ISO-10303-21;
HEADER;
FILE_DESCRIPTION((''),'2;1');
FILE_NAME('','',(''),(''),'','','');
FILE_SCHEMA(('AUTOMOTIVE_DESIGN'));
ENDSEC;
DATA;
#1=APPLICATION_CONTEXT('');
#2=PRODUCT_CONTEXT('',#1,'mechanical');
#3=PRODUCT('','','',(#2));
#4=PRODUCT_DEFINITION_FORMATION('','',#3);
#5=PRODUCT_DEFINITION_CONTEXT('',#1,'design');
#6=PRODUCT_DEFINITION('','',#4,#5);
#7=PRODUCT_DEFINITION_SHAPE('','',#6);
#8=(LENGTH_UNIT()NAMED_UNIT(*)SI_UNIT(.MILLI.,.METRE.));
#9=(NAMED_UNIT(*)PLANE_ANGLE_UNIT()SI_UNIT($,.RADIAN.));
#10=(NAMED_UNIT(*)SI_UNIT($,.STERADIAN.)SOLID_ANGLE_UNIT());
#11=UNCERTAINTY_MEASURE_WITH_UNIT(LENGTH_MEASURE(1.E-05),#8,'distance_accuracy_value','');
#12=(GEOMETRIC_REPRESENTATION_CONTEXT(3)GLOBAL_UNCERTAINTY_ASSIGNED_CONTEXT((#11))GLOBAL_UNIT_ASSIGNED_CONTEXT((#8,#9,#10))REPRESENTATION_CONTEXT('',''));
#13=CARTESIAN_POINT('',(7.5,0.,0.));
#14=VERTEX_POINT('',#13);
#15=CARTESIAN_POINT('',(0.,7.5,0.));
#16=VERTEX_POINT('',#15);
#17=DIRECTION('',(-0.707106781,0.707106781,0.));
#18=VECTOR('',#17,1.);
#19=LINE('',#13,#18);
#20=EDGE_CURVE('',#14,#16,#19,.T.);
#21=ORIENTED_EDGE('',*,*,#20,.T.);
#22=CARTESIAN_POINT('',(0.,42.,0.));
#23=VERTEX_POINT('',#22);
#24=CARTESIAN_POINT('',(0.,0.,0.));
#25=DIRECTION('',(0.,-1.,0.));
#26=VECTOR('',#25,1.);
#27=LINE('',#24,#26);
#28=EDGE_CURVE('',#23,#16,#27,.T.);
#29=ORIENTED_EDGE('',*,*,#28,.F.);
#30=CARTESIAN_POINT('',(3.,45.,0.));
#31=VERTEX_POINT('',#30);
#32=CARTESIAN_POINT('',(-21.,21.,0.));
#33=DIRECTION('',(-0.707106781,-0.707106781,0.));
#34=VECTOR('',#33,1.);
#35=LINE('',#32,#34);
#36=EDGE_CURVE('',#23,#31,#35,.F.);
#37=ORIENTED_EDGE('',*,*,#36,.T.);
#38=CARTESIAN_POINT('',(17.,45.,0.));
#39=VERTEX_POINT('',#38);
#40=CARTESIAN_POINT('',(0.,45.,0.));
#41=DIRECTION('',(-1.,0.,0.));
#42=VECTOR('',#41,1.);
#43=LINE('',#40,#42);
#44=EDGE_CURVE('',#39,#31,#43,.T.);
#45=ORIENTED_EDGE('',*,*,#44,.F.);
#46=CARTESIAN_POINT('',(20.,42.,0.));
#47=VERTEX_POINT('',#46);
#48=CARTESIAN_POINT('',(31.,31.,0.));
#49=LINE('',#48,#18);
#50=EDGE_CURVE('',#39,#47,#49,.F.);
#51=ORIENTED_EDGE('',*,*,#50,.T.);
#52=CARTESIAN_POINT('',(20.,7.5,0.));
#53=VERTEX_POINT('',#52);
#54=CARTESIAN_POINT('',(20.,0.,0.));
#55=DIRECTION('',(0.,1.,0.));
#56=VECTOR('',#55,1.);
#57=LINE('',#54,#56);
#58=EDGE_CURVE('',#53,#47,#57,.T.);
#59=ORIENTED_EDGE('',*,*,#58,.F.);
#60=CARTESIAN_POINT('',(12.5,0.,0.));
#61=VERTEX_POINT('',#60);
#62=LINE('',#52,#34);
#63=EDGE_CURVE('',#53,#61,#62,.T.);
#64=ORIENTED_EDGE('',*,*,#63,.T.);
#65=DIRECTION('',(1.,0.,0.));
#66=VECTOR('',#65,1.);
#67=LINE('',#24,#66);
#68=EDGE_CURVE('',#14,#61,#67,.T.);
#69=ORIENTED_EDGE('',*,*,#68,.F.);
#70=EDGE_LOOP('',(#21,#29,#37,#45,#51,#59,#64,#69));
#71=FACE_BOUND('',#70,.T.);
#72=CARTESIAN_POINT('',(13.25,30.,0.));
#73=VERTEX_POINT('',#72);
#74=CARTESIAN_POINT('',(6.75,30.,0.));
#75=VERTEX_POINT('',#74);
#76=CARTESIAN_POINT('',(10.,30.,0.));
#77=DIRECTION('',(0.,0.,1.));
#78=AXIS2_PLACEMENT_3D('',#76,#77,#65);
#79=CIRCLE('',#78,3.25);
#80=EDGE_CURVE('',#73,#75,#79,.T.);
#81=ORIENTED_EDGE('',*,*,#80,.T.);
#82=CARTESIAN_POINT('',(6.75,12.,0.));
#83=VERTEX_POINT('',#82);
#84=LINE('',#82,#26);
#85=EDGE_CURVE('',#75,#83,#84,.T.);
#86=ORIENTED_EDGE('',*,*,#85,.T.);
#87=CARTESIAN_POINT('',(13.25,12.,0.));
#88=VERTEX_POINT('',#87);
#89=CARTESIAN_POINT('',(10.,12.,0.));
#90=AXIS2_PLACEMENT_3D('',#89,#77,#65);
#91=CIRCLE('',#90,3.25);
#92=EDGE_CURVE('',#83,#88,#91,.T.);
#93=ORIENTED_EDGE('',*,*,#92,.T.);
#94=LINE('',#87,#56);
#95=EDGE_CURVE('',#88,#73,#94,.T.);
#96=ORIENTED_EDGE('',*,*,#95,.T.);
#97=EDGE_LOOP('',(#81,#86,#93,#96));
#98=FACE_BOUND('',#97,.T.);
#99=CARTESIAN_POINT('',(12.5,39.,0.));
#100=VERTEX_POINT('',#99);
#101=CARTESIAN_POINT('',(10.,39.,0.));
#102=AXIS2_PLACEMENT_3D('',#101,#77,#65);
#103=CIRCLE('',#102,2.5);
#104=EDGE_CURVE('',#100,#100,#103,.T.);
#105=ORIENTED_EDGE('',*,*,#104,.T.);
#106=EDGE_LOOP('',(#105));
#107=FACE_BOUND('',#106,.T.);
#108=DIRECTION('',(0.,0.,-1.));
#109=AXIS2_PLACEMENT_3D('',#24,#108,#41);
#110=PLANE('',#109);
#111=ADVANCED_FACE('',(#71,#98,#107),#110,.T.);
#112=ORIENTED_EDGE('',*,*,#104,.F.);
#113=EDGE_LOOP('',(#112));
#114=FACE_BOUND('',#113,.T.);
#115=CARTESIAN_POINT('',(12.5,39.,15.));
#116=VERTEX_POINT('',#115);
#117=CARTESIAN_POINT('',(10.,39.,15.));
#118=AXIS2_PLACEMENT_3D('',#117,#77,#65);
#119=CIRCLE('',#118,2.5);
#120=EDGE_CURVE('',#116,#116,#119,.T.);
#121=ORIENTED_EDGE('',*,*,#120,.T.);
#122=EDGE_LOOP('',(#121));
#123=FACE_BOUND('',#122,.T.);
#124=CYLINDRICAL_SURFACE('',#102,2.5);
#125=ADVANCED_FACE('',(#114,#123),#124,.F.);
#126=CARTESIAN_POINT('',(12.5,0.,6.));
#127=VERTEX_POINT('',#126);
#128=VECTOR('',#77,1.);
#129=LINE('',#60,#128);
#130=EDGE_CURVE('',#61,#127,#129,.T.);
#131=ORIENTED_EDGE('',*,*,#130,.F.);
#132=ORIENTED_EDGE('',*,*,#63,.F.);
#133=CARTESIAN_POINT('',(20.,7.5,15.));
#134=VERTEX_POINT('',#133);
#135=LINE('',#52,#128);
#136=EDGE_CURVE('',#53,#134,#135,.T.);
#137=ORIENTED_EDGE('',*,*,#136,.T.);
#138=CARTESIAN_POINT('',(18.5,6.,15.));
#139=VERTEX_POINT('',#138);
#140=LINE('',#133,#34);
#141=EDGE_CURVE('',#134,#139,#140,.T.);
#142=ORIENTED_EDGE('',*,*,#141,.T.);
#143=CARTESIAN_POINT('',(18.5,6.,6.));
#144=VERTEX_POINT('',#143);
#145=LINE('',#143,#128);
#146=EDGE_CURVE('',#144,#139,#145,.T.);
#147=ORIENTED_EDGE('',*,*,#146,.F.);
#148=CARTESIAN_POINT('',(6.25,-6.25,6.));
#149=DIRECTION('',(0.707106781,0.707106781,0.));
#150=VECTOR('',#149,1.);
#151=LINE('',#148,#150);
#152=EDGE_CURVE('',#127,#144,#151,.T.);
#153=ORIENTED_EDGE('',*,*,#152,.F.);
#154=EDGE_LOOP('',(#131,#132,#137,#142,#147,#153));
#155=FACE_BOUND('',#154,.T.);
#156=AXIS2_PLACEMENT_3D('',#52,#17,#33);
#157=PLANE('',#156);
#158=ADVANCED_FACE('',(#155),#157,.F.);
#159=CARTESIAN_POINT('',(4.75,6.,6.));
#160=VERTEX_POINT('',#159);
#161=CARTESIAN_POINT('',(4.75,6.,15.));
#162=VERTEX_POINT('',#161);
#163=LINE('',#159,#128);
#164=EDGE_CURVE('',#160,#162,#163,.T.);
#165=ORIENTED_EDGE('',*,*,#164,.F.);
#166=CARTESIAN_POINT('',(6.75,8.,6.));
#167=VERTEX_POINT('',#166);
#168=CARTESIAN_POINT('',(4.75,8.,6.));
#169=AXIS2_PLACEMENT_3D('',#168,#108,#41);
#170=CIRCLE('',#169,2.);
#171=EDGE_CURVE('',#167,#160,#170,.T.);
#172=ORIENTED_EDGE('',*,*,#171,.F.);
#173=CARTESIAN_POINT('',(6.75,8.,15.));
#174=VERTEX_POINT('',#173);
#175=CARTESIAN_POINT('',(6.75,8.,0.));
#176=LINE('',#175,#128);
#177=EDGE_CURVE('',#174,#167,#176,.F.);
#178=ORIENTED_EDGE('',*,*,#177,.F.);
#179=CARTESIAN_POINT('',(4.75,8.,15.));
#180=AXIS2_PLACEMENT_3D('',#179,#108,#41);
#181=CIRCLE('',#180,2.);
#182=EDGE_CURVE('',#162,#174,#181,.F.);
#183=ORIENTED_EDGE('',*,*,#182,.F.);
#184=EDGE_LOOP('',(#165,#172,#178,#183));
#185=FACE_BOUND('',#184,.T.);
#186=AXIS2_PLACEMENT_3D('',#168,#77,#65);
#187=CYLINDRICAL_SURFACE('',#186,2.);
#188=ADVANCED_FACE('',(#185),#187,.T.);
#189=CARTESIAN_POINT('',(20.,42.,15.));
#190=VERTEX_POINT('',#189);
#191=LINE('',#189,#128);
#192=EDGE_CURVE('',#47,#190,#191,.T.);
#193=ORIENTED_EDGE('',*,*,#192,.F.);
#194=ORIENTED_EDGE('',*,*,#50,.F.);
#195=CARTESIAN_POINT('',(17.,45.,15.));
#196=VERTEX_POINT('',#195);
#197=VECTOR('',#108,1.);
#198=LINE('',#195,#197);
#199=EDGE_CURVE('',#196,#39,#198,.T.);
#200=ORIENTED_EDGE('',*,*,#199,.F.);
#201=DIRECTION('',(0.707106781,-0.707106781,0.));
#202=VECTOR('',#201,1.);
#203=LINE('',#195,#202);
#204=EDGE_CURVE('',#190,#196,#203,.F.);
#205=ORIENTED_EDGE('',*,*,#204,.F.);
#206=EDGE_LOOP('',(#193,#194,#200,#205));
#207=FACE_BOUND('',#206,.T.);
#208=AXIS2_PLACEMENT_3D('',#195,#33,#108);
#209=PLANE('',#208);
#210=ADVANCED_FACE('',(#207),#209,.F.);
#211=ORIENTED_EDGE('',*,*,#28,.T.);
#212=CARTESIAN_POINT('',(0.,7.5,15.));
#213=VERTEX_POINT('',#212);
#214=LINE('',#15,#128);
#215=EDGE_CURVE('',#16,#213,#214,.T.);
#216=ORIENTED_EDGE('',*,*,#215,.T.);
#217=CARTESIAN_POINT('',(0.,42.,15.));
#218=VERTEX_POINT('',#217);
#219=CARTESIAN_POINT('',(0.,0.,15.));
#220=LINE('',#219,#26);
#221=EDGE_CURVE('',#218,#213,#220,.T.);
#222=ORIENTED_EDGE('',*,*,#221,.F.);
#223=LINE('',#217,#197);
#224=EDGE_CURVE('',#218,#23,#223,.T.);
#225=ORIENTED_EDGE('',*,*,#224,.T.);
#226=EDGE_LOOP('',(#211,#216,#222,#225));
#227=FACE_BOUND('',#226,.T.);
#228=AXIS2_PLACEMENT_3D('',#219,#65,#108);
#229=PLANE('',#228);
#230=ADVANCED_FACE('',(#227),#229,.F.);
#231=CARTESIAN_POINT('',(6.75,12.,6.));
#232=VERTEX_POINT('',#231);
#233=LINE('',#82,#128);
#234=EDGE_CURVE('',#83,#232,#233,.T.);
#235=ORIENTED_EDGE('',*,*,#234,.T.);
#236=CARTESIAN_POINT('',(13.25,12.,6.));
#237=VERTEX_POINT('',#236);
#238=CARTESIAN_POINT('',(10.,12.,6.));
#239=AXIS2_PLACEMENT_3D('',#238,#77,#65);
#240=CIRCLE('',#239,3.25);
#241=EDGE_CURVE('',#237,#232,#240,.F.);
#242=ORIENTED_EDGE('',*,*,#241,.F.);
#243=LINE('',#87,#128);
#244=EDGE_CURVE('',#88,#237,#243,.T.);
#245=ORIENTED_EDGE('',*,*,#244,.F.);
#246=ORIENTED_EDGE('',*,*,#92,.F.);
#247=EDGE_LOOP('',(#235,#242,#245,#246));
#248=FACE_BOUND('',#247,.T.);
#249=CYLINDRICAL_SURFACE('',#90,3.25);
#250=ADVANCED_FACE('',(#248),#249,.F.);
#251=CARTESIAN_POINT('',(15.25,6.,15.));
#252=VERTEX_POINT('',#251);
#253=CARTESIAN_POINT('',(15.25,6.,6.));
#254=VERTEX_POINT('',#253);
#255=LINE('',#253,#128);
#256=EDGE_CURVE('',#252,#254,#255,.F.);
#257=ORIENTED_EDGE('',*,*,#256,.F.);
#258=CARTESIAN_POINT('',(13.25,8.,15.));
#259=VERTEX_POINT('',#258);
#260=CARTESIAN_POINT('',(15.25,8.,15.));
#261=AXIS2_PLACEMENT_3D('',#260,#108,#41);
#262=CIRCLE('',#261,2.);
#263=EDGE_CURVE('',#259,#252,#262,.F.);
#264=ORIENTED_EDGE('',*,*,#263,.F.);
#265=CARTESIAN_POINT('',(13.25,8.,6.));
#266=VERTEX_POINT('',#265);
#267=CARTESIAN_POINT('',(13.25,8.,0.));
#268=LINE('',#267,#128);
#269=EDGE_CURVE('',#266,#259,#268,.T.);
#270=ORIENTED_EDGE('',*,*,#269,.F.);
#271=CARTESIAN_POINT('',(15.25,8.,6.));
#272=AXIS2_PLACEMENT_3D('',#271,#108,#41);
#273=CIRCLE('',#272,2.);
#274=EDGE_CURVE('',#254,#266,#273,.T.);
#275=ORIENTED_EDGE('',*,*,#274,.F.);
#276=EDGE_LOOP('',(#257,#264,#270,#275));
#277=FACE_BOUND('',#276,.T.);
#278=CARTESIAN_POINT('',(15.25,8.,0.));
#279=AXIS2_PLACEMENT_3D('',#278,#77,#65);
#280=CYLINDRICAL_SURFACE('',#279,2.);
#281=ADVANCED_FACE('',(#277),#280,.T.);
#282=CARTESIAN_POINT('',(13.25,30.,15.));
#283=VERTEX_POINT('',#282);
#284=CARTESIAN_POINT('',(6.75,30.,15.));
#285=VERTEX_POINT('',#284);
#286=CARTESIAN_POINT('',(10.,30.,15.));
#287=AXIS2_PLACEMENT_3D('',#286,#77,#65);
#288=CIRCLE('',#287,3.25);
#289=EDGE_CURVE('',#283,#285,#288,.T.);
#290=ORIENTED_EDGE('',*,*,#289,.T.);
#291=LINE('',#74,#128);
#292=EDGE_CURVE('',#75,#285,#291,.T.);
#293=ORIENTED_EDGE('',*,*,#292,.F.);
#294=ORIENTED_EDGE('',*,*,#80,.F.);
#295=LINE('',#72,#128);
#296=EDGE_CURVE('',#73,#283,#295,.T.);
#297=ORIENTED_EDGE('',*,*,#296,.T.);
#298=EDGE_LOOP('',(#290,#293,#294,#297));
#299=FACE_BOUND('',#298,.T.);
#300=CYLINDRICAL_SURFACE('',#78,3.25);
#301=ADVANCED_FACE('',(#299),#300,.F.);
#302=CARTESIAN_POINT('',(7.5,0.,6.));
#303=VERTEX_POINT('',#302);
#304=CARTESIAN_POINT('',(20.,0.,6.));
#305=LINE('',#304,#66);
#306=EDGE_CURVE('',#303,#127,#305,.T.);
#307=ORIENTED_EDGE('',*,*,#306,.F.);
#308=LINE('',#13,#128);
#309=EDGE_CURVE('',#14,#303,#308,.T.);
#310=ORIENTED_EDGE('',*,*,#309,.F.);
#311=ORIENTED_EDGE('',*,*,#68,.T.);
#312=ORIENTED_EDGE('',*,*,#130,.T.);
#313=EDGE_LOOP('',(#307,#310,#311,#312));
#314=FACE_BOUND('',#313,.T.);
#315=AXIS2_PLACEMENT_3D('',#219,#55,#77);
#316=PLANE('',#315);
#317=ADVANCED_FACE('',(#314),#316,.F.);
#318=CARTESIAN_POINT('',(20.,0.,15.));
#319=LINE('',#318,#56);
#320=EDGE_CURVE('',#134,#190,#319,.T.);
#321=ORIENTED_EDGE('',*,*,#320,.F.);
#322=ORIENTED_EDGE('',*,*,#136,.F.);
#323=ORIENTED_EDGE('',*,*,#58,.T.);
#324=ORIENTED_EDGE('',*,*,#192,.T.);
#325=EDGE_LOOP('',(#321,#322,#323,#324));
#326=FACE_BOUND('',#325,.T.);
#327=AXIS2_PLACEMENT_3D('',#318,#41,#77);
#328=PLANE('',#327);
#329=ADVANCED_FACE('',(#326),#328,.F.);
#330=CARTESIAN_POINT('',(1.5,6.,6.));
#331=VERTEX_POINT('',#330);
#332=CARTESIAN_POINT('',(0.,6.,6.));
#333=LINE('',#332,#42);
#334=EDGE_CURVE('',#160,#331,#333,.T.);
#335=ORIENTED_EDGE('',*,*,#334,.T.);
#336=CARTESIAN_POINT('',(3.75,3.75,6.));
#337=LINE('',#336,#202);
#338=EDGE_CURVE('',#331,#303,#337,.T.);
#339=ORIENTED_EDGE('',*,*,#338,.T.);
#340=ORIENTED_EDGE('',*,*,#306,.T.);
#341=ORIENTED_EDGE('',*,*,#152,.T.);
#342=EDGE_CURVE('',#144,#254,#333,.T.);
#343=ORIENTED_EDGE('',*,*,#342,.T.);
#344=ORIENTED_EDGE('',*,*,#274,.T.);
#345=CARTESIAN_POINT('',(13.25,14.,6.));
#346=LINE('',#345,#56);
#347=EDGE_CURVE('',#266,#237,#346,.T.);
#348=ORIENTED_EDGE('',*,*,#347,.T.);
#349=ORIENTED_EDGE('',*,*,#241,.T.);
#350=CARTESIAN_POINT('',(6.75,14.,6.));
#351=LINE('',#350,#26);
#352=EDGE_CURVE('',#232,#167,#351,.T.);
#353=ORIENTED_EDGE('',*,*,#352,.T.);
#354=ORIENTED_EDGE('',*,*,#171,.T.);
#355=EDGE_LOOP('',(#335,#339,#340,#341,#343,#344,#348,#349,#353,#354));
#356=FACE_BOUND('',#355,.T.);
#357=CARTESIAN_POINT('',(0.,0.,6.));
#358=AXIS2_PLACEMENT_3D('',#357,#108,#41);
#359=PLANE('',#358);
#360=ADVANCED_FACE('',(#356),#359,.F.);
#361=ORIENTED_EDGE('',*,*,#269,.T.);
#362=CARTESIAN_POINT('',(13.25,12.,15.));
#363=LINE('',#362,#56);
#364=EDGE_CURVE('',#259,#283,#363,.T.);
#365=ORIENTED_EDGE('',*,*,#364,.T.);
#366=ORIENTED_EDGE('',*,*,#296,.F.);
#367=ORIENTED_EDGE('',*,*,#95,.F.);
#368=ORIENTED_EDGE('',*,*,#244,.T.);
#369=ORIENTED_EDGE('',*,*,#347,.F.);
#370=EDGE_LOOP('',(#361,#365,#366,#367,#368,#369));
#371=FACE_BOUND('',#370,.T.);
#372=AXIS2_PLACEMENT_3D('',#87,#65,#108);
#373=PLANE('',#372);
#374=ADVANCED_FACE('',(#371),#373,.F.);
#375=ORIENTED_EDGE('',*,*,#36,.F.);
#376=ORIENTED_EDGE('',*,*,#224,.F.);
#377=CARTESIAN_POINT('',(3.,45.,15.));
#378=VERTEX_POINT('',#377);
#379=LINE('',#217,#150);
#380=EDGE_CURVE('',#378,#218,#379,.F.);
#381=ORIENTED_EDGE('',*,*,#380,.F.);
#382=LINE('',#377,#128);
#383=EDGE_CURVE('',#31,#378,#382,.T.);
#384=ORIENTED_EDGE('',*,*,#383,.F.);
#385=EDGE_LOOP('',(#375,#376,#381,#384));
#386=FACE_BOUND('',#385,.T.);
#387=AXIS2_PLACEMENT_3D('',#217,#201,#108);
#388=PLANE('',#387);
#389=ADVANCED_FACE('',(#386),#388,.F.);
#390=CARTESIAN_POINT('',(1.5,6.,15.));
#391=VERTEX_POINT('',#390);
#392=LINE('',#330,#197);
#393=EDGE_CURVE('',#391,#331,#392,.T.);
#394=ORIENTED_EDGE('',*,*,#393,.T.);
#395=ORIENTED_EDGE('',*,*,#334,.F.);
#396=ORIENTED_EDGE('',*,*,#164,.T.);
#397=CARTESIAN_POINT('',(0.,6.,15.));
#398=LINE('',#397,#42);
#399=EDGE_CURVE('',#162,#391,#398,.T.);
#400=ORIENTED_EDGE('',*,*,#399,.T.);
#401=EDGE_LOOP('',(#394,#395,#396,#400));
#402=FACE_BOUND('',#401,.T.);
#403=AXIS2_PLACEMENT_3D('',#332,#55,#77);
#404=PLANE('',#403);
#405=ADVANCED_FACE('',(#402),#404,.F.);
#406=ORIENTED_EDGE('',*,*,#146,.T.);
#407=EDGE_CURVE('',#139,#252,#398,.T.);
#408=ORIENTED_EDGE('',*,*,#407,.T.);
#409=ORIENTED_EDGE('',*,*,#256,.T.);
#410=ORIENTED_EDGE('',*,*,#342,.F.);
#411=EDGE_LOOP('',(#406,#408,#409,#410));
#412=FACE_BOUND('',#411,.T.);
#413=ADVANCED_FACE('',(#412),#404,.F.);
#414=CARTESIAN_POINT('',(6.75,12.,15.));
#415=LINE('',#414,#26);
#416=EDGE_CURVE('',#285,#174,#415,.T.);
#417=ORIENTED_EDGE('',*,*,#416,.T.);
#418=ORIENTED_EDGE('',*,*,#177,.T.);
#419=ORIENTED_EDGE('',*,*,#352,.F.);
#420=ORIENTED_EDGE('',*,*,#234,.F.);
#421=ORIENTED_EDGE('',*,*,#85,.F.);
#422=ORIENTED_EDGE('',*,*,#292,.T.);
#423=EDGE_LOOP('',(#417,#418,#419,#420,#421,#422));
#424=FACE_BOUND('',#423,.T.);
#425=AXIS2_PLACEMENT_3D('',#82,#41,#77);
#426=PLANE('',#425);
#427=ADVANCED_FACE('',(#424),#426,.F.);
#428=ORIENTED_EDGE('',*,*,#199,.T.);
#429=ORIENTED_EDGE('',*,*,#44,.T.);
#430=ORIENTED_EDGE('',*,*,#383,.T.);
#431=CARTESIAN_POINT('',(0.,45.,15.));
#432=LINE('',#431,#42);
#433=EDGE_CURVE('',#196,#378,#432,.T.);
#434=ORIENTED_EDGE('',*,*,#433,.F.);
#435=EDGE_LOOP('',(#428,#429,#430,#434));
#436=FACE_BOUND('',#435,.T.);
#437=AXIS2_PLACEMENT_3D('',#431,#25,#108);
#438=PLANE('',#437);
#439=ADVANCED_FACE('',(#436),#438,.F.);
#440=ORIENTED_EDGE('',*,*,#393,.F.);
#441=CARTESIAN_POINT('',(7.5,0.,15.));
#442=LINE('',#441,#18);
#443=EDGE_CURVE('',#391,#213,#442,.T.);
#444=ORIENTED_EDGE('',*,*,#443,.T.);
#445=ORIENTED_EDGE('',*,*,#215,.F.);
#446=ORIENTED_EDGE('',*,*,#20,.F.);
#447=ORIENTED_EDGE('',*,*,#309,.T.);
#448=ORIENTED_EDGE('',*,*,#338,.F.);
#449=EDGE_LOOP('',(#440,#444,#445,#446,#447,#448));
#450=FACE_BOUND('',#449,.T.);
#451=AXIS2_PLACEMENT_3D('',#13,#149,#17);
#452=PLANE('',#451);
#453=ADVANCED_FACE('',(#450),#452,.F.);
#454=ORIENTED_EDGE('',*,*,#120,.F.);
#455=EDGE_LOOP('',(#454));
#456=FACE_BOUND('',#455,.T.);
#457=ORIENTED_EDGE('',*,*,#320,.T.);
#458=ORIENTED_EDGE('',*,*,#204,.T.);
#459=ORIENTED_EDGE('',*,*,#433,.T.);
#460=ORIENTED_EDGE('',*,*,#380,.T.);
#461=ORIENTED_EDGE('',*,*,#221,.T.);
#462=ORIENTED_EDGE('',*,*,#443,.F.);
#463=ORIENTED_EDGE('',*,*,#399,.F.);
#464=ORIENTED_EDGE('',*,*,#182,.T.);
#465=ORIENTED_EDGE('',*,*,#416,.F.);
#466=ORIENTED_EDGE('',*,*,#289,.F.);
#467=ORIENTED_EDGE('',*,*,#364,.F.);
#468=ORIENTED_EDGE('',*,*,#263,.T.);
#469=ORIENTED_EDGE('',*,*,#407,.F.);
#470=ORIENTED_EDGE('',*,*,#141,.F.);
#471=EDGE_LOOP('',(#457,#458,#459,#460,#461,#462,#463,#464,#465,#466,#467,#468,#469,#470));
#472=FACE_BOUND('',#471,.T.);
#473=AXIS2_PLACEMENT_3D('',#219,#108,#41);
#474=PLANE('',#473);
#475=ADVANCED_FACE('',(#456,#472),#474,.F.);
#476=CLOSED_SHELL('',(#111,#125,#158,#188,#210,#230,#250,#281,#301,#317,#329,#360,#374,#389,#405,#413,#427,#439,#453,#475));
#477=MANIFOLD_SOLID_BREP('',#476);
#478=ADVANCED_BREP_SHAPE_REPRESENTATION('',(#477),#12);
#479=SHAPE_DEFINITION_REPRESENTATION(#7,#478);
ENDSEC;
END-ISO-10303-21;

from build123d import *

# Parameters (mm, degrees)
ESQUISSE1_W             = 20
ESQUISSE1_H             = 45
BOSS_EXTRU_1_DEPTH      = 15
ESQUISSE2_R             = 2.5
ENL_V_MAT_EXTRU_1_DEPTH = 15
ESQUISSE3_W             = 20
ESQUISSE3_H             = 6
ENL_V_MAT_EXTRU_2_DEPTH = 9
ENL_V_MAT_EXTRU_3_DEPTH = 15
ESQUISSE7_W             = 6.5
ESQUISSE7_H             = 8
ENL_V_MAT_EXTRU_4_DEPTH = 9
CONG_1_R                = 2
CHANFREIN1_SIZE         = 3


with BuildPart() as part:
    # Esquisse1 → Boss.-Extru.1 (new body)
    with BuildSketch(Plane.XY):
        with Locations((10, 22.5)):
            Rectangle(ESQUISSE1_W, ESQUISSE1_H)
    extrude(amount=BOSS_EXTRU_1_DEPTH)

    # Esquisse2 → Enlèv. mat.-Extru.1 (cut)
    with BuildSketch(Plane.XY.offset(15)):
        with Locations((10, 39)):
            Circle(ESQUISSE2_R)
        with BuildLine():
            Line((6.75, 12), (6.75, 30))
            ThreePointArc((6.75, 30), (10, 33.25), (13.25, 30))
            Line((13.25, 30), (13.25, 12))
            ThreePointArc((13.25, 12), (10, 8.75), (6.75, 12))
        make_face()
    extrude(amount=-ENL_V_MAT_EXTRU_1_DEPTH, mode=Mode.SUBTRACT)

    # Esquisse3 → Enlèv. mat.-Extru.2 (cut)
    with BuildSketch(Plane.XY.offset(15)):
        with Locations((10, 3)):
            Rectangle(ESQUISSE3_W, ESQUISSE3_H)
    extrude(amount=-ENL_V_MAT_EXTRU_2_DEPTH, mode=Mode.SUBTRACT)

    # Esquisse6 → Enlèv. mat.-Extru.3 (cut)
    with BuildSketch(Plane.XY.offset(15)):
        Polygon((7.5, 0), (0, 7.5), (0, -7.5), (20, -7.5), (20, 7.5), (12.5, 0), align=None)
    extrude(amount=-ENL_V_MAT_EXTRU_3_DEPTH, mode=Mode.SUBTRACT)

    # Esquisse7 → Enlèv. mat.-Extru.4 (cut)
    with BuildSketch(Plane.XY.offset(15)):
        with Locations((10, 10)):
            Rectangle(ESQUISSE7_W, ESQUISSE7_H)
    extrude(amount=-ENL_V_MAT_EXTRU_4_DEPTH, mode=Mode.SUBTRACT)

    # Congé1
    cong_1_edges = [part.edges().sort_by_distance(p)[0] for p in [
        (6.75, 6, 10.5),
        (13.25, 6, 10.5),
    ]]
    fillet(cong_1_edges, radius=CONG_1_R)

    # Chanfrein1
    chanfrein1_edges = [part.edges().sort_by_distance(p)[0] for p in [
        (0, 45, 7.5),
        (20, 45, 7.5),
    ]]
    chamfer(chanfrein1_edges, length=CHANFREIN1_SIZE)


solid = part.part
